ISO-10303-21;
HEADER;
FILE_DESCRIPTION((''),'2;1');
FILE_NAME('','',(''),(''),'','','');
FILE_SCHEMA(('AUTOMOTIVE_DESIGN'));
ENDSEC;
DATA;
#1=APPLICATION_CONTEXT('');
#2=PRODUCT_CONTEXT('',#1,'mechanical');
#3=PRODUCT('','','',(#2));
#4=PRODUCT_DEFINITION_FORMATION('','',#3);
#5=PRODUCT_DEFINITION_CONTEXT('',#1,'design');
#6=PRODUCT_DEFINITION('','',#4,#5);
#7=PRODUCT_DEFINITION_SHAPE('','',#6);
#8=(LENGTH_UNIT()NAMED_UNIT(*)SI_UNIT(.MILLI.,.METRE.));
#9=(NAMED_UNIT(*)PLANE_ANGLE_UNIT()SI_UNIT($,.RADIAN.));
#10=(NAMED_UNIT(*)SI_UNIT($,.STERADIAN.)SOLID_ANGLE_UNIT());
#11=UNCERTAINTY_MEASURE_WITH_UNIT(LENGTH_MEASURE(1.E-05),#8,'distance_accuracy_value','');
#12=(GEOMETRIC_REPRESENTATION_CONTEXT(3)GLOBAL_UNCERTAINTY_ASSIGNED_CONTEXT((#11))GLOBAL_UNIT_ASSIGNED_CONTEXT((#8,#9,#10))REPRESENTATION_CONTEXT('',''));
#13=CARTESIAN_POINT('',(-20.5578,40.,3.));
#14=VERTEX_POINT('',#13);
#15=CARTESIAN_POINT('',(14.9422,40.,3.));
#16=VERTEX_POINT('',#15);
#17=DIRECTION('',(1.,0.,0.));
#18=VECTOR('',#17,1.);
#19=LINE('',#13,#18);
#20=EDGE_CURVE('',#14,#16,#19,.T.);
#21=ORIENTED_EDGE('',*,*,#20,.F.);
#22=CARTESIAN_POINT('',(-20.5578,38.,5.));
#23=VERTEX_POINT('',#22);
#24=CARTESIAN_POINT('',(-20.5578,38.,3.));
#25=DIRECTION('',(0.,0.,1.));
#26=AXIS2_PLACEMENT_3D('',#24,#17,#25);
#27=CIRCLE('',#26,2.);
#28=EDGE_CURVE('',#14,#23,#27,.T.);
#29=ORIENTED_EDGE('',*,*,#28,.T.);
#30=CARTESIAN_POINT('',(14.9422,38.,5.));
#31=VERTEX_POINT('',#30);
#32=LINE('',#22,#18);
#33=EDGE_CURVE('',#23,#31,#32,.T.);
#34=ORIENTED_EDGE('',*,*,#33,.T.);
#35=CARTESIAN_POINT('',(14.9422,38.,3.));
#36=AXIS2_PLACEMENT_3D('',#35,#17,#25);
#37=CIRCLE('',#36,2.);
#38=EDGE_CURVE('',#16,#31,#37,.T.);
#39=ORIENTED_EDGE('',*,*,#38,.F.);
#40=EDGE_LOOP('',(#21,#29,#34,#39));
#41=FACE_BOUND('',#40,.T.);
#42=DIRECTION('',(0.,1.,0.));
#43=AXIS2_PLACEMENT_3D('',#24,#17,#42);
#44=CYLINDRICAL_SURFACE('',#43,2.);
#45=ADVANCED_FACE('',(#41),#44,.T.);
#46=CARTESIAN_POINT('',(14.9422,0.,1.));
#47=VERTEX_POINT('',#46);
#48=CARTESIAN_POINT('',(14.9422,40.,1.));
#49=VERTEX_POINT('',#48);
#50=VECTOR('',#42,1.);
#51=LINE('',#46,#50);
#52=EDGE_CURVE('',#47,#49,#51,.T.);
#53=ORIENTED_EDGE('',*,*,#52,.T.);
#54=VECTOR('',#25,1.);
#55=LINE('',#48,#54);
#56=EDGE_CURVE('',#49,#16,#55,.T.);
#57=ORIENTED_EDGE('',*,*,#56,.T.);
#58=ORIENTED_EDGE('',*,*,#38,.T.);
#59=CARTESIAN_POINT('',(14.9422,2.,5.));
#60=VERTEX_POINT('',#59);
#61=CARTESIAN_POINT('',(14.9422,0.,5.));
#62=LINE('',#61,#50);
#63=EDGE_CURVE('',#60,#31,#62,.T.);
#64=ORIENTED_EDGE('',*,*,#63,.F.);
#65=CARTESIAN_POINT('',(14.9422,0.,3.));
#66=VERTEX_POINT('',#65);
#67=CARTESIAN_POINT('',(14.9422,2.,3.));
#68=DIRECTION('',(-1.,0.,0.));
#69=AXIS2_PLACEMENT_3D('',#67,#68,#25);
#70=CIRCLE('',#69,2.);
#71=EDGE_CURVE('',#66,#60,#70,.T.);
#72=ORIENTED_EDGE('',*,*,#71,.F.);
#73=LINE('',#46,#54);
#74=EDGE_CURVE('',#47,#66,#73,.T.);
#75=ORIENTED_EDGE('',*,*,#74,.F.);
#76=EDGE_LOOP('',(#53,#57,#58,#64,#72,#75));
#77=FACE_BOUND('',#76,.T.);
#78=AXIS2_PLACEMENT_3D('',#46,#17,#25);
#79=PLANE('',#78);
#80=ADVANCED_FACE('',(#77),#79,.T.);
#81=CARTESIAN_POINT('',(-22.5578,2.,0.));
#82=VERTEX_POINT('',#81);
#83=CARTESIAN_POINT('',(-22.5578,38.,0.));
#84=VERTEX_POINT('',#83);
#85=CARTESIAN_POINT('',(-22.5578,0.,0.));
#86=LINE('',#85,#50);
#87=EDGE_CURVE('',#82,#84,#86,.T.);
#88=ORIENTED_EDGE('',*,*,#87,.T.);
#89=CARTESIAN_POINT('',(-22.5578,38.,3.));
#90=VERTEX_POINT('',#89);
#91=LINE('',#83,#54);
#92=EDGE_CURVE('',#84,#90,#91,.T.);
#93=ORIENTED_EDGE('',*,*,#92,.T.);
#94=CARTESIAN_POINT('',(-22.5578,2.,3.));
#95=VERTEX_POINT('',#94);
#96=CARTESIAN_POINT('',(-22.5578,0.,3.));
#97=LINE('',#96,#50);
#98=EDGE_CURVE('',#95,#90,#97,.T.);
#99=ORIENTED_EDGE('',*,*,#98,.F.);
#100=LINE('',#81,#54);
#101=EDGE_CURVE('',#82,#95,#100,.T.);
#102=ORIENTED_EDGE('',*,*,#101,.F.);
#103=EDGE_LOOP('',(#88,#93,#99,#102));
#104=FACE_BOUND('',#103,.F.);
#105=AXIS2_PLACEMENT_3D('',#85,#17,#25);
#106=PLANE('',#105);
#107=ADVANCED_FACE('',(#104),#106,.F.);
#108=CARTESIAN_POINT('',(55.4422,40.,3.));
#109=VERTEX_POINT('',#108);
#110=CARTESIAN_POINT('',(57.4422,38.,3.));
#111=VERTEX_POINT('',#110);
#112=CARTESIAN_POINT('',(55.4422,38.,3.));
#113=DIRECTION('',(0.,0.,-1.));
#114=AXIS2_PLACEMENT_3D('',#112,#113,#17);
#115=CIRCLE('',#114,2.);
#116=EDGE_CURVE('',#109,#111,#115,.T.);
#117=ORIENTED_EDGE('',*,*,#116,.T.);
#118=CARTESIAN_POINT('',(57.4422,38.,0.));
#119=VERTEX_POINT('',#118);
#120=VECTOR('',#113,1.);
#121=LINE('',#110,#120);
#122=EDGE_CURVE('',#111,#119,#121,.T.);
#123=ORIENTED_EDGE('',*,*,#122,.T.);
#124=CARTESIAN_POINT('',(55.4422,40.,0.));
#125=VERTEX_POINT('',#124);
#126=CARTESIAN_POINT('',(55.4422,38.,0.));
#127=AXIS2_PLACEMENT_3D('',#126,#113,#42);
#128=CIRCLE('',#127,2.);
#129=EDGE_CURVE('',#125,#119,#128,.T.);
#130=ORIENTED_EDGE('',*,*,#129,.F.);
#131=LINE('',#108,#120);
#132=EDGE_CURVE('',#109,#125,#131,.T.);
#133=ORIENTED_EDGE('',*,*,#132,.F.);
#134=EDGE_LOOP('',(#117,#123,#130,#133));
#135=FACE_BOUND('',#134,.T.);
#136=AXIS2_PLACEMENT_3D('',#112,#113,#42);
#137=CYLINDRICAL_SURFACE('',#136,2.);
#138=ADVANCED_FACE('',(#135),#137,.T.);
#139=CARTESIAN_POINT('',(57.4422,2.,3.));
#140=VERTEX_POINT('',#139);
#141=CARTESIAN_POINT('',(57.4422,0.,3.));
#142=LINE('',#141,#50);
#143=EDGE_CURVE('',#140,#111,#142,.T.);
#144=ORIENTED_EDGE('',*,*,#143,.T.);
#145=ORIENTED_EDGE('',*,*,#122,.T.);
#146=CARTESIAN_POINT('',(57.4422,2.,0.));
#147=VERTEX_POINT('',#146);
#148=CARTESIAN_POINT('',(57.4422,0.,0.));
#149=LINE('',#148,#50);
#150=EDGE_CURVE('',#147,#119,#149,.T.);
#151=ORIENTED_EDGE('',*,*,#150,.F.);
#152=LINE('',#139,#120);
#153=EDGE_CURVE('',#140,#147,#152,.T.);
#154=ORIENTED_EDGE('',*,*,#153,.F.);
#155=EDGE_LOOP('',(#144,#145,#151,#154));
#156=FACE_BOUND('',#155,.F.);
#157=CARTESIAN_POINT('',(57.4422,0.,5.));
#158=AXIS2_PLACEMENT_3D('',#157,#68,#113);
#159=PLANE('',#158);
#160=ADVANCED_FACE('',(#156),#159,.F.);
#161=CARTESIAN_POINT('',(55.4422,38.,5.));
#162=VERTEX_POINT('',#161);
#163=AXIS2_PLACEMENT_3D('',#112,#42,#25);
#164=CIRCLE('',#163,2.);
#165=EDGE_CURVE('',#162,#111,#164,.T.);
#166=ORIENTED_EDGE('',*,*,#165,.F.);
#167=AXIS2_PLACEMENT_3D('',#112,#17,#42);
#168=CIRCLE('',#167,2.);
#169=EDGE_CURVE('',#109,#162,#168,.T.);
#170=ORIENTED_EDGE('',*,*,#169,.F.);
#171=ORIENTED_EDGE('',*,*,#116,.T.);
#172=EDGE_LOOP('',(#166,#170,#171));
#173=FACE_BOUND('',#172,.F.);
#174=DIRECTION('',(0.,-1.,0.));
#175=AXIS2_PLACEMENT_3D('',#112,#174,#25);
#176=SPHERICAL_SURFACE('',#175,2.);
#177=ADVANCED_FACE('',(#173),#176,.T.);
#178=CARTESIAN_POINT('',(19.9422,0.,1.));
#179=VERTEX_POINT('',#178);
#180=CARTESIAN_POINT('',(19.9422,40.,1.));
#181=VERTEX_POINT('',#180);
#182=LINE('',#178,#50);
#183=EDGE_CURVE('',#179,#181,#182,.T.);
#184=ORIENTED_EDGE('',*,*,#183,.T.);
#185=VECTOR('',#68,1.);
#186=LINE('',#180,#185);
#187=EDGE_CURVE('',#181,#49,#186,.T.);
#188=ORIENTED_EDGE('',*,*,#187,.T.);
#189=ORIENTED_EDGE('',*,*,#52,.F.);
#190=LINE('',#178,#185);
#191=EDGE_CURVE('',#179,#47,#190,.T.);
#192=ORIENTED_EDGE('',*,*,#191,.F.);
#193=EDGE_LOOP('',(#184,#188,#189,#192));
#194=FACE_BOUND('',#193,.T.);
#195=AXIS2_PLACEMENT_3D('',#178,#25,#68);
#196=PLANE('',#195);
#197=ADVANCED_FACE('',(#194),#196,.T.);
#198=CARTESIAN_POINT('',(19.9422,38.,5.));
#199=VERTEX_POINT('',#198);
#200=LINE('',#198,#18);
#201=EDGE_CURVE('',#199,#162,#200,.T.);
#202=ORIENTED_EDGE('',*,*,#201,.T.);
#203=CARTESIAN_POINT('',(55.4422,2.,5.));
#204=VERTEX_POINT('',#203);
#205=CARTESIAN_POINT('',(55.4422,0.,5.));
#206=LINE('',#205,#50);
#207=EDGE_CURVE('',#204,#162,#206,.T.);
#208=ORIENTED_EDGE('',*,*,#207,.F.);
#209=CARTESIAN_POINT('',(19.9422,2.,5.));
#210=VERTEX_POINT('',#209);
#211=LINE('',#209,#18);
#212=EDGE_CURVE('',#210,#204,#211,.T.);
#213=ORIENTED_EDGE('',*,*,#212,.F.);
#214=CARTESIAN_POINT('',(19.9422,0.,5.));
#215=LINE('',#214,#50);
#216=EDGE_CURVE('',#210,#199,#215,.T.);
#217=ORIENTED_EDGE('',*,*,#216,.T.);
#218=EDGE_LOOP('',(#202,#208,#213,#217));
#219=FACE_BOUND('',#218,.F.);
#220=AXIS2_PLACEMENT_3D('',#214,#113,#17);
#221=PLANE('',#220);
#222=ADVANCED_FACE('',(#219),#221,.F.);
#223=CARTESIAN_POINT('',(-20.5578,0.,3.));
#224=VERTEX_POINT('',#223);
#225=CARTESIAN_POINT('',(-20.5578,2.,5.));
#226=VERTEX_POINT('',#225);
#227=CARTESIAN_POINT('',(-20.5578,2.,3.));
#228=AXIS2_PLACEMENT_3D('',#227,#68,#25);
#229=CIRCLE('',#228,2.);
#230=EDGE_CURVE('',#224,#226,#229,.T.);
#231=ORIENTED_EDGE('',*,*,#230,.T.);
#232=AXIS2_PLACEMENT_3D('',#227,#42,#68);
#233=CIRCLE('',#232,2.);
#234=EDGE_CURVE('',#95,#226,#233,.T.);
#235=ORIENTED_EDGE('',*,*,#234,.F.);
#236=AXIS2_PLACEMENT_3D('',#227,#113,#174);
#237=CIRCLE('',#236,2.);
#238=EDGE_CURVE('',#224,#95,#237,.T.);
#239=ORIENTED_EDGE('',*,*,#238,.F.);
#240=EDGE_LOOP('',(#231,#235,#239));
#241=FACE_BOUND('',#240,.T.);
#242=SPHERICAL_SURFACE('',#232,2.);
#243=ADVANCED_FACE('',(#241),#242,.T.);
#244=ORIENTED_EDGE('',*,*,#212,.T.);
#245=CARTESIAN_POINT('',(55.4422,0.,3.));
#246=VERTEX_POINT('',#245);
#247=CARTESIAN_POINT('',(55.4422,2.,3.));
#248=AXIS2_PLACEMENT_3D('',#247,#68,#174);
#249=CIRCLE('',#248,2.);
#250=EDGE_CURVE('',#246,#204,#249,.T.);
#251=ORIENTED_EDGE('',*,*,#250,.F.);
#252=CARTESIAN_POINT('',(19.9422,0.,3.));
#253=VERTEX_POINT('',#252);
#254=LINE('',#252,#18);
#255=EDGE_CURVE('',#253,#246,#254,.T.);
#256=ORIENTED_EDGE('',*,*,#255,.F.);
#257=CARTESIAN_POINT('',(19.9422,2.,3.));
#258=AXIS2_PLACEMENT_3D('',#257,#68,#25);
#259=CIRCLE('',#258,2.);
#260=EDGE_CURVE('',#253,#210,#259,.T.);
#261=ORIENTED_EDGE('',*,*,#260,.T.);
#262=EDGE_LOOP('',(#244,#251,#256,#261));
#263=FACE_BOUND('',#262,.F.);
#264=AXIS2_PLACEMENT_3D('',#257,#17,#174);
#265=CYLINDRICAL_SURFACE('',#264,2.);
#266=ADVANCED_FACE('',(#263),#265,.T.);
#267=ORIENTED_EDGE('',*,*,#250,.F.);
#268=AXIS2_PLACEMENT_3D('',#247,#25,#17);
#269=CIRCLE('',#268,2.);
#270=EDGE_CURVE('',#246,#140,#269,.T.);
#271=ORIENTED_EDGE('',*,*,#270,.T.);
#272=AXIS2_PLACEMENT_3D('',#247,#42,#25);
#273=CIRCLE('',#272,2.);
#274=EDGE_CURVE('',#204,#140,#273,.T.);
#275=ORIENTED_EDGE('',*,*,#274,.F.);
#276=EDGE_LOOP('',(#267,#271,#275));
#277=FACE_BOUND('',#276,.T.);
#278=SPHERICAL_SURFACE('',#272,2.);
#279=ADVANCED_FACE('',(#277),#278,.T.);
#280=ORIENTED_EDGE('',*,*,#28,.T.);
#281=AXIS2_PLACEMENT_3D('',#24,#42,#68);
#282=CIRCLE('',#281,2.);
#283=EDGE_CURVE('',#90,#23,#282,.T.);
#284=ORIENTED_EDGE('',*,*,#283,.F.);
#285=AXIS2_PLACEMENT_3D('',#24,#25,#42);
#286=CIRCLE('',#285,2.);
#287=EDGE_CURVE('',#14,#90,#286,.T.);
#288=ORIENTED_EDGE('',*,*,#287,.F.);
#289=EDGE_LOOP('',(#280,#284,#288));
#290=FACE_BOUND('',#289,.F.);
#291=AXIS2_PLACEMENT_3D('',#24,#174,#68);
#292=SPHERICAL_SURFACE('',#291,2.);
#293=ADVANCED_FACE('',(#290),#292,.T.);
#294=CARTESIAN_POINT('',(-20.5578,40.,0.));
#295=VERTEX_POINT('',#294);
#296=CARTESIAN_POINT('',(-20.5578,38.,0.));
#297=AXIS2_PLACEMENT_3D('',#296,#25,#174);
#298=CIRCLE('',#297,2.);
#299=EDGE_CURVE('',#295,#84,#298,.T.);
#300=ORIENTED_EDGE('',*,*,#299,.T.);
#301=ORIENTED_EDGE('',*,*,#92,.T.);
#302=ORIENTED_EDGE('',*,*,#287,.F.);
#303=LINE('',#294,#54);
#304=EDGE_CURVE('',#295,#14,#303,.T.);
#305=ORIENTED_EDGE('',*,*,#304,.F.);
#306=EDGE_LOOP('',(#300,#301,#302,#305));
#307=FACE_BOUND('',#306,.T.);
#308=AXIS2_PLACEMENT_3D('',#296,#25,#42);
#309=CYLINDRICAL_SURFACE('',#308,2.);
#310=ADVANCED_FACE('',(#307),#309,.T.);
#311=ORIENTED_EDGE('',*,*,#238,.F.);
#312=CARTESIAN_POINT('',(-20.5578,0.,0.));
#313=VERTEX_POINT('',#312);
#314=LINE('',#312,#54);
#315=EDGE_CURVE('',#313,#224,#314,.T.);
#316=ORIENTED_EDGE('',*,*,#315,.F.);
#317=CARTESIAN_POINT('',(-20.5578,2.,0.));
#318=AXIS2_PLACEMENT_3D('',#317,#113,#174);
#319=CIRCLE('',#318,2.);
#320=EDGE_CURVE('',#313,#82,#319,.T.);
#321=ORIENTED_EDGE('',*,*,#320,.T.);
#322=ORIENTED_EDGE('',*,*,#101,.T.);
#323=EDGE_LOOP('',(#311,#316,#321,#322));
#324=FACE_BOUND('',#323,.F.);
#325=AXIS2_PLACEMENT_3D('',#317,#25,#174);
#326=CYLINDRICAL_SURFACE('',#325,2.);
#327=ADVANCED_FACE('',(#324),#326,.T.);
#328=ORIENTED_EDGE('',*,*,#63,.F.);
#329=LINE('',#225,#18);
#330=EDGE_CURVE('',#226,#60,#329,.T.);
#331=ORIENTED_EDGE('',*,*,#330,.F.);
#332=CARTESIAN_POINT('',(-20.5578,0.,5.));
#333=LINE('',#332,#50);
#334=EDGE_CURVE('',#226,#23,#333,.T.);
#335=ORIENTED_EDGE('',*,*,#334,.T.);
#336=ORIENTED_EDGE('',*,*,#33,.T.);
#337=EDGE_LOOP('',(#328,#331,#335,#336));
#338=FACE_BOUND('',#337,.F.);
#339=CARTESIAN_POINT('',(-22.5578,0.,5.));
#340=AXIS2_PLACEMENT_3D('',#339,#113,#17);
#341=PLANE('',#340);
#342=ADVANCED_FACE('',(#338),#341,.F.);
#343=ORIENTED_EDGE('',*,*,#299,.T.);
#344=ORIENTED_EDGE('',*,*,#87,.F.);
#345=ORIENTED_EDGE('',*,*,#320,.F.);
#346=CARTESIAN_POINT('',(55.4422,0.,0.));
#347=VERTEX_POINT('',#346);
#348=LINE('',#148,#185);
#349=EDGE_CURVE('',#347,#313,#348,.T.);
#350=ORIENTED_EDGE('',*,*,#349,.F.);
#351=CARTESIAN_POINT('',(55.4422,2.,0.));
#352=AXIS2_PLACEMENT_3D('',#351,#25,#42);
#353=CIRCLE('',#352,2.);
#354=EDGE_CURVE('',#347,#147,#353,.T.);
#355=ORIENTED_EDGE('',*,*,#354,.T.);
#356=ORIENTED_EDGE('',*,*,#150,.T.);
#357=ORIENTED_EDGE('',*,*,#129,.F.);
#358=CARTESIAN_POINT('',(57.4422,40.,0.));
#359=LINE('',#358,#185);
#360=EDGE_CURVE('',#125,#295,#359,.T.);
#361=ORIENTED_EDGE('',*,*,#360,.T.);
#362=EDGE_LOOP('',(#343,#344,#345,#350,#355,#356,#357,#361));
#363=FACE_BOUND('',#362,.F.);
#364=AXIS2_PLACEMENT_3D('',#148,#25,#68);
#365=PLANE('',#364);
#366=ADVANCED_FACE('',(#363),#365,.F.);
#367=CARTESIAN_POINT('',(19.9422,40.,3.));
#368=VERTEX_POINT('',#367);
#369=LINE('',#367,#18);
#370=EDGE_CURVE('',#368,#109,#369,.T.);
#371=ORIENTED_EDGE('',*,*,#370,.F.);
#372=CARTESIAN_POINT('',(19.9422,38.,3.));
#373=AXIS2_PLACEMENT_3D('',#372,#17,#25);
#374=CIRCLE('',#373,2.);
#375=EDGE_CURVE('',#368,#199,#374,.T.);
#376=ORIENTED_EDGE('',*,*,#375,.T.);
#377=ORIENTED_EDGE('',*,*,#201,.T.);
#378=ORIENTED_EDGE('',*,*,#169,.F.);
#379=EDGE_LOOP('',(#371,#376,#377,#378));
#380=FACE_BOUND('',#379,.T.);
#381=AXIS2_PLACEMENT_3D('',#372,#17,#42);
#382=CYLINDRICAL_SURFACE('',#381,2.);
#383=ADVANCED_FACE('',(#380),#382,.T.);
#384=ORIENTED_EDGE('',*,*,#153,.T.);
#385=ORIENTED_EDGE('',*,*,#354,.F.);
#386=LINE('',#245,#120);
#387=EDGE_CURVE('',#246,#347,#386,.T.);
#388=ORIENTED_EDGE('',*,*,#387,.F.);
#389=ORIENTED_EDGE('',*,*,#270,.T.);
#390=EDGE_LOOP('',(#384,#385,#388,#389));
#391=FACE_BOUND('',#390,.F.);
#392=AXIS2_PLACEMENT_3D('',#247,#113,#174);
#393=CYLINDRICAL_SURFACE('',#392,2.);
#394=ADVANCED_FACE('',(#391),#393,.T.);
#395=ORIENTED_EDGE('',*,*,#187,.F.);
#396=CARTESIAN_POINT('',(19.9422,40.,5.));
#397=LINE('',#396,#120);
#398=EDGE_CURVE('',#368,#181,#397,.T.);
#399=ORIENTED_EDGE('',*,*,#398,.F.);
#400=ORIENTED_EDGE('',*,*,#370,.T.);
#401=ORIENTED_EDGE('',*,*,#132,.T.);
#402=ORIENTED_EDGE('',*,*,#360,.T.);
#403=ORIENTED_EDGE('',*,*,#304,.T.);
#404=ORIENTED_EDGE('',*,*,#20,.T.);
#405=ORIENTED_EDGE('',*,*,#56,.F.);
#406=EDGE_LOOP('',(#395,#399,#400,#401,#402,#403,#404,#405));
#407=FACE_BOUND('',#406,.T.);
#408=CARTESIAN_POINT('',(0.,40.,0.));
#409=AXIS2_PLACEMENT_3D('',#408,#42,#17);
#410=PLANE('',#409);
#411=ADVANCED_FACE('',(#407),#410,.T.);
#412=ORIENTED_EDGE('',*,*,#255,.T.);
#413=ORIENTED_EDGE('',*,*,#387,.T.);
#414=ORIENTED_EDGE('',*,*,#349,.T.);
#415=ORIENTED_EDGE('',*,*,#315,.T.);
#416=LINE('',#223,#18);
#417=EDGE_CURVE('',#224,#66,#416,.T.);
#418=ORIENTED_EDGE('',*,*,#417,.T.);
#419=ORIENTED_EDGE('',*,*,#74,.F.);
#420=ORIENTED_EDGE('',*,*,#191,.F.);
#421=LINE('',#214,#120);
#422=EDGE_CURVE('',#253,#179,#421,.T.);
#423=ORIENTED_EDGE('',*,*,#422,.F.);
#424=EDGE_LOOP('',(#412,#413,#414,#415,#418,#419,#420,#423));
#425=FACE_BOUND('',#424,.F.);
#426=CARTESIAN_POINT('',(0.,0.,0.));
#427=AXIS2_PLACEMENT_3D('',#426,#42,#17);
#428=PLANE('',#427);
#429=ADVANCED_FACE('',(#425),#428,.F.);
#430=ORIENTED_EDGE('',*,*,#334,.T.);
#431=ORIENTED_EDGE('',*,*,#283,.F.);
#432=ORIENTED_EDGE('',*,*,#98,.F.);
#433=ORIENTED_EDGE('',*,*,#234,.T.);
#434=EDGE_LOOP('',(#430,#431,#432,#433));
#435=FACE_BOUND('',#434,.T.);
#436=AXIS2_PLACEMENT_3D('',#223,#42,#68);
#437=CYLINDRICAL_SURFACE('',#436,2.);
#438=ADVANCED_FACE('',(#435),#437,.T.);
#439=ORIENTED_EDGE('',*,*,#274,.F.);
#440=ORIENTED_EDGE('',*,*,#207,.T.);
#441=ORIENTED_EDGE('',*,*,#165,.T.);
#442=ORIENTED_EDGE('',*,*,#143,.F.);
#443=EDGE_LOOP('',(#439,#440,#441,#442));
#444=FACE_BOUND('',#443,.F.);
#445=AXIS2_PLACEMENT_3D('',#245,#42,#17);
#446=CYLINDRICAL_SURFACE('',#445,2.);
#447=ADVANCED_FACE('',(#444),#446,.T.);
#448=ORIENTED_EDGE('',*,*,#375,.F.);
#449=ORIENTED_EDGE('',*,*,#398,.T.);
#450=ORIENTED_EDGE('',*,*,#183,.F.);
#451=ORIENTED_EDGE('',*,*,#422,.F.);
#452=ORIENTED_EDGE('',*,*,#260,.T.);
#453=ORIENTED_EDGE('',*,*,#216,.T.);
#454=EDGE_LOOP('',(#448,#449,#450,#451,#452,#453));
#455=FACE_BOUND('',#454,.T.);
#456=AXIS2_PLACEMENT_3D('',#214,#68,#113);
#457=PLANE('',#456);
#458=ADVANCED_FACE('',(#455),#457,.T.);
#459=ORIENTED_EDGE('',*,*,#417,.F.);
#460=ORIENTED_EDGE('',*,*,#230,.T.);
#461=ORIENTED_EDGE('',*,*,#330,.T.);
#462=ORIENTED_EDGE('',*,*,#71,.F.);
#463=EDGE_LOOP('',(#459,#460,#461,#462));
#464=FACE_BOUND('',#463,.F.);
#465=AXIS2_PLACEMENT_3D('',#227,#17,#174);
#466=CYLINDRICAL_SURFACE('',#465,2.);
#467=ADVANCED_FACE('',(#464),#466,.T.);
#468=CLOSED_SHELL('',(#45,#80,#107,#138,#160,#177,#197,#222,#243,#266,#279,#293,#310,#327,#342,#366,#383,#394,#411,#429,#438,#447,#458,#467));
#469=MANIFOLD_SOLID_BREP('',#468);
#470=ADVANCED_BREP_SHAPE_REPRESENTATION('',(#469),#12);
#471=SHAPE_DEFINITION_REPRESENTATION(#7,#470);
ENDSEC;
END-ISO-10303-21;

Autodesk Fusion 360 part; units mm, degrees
sketch "Sketch1" plane through (0, 0, 0) normal (0, 1, 0) x (1, 0, 0)
  line L0 (-22.5578, -5) -> (57.4422, -5)
  line L1 (57.4422, -5) -> (57.4422, 0)
  line L2 (57.4422, 0) -> (-22.5578, 0)
  line L3 (-22.5578, 0) -> (-22.5578, -5)
  line L4 (14.9422, -5) -> (19.9422, -5)
  line L5 (19.9422, -5) -> (19.9422, -1)
  line L6 (19.9422, -1) -> (14.9422, -1)
  line L7 (14.9422, -1) -> (14.9422, -5)
  dimension "d1" = 5
  dimension "d2" = 80
  dimension "d3" = 5
  dimension "d4" = 4
  dimension "d5" = 37.5
extrude "Extrude1" add sketch "Sketch1" along normal blind 40 contours L0 L1 L2 L3 L5 L6 L7
fillet "Fillet1" radius 2 1 edges at (57.4422, 20, 5)
fillet "Fillet2" radius 2 1 edges at (-22.5578, 20, 5)
fillet "Fillet3" radius 2 3 edges at (-22.5578, 0, 1.5) (-21.972, 0, 4.4142) (-2.8078, 0, 5)
fillet "Fillet4" radius 2 3 edges at (37.6922, 0, 5) (56.8564, 0, 4.4142) (57.4422, 0, 1.5)
fillet "Fillet5" radius 2 3 edges at (37.6922, 40, 5) (56.8564, 40, 4.4142) (57.4422, 40, 1.5)
fillet "Fillet6" radius 2 3 edges at (-22.5578, 40, 1.5) (-21.972, 40, 4.4142) (-2.8078, 40, 5)
